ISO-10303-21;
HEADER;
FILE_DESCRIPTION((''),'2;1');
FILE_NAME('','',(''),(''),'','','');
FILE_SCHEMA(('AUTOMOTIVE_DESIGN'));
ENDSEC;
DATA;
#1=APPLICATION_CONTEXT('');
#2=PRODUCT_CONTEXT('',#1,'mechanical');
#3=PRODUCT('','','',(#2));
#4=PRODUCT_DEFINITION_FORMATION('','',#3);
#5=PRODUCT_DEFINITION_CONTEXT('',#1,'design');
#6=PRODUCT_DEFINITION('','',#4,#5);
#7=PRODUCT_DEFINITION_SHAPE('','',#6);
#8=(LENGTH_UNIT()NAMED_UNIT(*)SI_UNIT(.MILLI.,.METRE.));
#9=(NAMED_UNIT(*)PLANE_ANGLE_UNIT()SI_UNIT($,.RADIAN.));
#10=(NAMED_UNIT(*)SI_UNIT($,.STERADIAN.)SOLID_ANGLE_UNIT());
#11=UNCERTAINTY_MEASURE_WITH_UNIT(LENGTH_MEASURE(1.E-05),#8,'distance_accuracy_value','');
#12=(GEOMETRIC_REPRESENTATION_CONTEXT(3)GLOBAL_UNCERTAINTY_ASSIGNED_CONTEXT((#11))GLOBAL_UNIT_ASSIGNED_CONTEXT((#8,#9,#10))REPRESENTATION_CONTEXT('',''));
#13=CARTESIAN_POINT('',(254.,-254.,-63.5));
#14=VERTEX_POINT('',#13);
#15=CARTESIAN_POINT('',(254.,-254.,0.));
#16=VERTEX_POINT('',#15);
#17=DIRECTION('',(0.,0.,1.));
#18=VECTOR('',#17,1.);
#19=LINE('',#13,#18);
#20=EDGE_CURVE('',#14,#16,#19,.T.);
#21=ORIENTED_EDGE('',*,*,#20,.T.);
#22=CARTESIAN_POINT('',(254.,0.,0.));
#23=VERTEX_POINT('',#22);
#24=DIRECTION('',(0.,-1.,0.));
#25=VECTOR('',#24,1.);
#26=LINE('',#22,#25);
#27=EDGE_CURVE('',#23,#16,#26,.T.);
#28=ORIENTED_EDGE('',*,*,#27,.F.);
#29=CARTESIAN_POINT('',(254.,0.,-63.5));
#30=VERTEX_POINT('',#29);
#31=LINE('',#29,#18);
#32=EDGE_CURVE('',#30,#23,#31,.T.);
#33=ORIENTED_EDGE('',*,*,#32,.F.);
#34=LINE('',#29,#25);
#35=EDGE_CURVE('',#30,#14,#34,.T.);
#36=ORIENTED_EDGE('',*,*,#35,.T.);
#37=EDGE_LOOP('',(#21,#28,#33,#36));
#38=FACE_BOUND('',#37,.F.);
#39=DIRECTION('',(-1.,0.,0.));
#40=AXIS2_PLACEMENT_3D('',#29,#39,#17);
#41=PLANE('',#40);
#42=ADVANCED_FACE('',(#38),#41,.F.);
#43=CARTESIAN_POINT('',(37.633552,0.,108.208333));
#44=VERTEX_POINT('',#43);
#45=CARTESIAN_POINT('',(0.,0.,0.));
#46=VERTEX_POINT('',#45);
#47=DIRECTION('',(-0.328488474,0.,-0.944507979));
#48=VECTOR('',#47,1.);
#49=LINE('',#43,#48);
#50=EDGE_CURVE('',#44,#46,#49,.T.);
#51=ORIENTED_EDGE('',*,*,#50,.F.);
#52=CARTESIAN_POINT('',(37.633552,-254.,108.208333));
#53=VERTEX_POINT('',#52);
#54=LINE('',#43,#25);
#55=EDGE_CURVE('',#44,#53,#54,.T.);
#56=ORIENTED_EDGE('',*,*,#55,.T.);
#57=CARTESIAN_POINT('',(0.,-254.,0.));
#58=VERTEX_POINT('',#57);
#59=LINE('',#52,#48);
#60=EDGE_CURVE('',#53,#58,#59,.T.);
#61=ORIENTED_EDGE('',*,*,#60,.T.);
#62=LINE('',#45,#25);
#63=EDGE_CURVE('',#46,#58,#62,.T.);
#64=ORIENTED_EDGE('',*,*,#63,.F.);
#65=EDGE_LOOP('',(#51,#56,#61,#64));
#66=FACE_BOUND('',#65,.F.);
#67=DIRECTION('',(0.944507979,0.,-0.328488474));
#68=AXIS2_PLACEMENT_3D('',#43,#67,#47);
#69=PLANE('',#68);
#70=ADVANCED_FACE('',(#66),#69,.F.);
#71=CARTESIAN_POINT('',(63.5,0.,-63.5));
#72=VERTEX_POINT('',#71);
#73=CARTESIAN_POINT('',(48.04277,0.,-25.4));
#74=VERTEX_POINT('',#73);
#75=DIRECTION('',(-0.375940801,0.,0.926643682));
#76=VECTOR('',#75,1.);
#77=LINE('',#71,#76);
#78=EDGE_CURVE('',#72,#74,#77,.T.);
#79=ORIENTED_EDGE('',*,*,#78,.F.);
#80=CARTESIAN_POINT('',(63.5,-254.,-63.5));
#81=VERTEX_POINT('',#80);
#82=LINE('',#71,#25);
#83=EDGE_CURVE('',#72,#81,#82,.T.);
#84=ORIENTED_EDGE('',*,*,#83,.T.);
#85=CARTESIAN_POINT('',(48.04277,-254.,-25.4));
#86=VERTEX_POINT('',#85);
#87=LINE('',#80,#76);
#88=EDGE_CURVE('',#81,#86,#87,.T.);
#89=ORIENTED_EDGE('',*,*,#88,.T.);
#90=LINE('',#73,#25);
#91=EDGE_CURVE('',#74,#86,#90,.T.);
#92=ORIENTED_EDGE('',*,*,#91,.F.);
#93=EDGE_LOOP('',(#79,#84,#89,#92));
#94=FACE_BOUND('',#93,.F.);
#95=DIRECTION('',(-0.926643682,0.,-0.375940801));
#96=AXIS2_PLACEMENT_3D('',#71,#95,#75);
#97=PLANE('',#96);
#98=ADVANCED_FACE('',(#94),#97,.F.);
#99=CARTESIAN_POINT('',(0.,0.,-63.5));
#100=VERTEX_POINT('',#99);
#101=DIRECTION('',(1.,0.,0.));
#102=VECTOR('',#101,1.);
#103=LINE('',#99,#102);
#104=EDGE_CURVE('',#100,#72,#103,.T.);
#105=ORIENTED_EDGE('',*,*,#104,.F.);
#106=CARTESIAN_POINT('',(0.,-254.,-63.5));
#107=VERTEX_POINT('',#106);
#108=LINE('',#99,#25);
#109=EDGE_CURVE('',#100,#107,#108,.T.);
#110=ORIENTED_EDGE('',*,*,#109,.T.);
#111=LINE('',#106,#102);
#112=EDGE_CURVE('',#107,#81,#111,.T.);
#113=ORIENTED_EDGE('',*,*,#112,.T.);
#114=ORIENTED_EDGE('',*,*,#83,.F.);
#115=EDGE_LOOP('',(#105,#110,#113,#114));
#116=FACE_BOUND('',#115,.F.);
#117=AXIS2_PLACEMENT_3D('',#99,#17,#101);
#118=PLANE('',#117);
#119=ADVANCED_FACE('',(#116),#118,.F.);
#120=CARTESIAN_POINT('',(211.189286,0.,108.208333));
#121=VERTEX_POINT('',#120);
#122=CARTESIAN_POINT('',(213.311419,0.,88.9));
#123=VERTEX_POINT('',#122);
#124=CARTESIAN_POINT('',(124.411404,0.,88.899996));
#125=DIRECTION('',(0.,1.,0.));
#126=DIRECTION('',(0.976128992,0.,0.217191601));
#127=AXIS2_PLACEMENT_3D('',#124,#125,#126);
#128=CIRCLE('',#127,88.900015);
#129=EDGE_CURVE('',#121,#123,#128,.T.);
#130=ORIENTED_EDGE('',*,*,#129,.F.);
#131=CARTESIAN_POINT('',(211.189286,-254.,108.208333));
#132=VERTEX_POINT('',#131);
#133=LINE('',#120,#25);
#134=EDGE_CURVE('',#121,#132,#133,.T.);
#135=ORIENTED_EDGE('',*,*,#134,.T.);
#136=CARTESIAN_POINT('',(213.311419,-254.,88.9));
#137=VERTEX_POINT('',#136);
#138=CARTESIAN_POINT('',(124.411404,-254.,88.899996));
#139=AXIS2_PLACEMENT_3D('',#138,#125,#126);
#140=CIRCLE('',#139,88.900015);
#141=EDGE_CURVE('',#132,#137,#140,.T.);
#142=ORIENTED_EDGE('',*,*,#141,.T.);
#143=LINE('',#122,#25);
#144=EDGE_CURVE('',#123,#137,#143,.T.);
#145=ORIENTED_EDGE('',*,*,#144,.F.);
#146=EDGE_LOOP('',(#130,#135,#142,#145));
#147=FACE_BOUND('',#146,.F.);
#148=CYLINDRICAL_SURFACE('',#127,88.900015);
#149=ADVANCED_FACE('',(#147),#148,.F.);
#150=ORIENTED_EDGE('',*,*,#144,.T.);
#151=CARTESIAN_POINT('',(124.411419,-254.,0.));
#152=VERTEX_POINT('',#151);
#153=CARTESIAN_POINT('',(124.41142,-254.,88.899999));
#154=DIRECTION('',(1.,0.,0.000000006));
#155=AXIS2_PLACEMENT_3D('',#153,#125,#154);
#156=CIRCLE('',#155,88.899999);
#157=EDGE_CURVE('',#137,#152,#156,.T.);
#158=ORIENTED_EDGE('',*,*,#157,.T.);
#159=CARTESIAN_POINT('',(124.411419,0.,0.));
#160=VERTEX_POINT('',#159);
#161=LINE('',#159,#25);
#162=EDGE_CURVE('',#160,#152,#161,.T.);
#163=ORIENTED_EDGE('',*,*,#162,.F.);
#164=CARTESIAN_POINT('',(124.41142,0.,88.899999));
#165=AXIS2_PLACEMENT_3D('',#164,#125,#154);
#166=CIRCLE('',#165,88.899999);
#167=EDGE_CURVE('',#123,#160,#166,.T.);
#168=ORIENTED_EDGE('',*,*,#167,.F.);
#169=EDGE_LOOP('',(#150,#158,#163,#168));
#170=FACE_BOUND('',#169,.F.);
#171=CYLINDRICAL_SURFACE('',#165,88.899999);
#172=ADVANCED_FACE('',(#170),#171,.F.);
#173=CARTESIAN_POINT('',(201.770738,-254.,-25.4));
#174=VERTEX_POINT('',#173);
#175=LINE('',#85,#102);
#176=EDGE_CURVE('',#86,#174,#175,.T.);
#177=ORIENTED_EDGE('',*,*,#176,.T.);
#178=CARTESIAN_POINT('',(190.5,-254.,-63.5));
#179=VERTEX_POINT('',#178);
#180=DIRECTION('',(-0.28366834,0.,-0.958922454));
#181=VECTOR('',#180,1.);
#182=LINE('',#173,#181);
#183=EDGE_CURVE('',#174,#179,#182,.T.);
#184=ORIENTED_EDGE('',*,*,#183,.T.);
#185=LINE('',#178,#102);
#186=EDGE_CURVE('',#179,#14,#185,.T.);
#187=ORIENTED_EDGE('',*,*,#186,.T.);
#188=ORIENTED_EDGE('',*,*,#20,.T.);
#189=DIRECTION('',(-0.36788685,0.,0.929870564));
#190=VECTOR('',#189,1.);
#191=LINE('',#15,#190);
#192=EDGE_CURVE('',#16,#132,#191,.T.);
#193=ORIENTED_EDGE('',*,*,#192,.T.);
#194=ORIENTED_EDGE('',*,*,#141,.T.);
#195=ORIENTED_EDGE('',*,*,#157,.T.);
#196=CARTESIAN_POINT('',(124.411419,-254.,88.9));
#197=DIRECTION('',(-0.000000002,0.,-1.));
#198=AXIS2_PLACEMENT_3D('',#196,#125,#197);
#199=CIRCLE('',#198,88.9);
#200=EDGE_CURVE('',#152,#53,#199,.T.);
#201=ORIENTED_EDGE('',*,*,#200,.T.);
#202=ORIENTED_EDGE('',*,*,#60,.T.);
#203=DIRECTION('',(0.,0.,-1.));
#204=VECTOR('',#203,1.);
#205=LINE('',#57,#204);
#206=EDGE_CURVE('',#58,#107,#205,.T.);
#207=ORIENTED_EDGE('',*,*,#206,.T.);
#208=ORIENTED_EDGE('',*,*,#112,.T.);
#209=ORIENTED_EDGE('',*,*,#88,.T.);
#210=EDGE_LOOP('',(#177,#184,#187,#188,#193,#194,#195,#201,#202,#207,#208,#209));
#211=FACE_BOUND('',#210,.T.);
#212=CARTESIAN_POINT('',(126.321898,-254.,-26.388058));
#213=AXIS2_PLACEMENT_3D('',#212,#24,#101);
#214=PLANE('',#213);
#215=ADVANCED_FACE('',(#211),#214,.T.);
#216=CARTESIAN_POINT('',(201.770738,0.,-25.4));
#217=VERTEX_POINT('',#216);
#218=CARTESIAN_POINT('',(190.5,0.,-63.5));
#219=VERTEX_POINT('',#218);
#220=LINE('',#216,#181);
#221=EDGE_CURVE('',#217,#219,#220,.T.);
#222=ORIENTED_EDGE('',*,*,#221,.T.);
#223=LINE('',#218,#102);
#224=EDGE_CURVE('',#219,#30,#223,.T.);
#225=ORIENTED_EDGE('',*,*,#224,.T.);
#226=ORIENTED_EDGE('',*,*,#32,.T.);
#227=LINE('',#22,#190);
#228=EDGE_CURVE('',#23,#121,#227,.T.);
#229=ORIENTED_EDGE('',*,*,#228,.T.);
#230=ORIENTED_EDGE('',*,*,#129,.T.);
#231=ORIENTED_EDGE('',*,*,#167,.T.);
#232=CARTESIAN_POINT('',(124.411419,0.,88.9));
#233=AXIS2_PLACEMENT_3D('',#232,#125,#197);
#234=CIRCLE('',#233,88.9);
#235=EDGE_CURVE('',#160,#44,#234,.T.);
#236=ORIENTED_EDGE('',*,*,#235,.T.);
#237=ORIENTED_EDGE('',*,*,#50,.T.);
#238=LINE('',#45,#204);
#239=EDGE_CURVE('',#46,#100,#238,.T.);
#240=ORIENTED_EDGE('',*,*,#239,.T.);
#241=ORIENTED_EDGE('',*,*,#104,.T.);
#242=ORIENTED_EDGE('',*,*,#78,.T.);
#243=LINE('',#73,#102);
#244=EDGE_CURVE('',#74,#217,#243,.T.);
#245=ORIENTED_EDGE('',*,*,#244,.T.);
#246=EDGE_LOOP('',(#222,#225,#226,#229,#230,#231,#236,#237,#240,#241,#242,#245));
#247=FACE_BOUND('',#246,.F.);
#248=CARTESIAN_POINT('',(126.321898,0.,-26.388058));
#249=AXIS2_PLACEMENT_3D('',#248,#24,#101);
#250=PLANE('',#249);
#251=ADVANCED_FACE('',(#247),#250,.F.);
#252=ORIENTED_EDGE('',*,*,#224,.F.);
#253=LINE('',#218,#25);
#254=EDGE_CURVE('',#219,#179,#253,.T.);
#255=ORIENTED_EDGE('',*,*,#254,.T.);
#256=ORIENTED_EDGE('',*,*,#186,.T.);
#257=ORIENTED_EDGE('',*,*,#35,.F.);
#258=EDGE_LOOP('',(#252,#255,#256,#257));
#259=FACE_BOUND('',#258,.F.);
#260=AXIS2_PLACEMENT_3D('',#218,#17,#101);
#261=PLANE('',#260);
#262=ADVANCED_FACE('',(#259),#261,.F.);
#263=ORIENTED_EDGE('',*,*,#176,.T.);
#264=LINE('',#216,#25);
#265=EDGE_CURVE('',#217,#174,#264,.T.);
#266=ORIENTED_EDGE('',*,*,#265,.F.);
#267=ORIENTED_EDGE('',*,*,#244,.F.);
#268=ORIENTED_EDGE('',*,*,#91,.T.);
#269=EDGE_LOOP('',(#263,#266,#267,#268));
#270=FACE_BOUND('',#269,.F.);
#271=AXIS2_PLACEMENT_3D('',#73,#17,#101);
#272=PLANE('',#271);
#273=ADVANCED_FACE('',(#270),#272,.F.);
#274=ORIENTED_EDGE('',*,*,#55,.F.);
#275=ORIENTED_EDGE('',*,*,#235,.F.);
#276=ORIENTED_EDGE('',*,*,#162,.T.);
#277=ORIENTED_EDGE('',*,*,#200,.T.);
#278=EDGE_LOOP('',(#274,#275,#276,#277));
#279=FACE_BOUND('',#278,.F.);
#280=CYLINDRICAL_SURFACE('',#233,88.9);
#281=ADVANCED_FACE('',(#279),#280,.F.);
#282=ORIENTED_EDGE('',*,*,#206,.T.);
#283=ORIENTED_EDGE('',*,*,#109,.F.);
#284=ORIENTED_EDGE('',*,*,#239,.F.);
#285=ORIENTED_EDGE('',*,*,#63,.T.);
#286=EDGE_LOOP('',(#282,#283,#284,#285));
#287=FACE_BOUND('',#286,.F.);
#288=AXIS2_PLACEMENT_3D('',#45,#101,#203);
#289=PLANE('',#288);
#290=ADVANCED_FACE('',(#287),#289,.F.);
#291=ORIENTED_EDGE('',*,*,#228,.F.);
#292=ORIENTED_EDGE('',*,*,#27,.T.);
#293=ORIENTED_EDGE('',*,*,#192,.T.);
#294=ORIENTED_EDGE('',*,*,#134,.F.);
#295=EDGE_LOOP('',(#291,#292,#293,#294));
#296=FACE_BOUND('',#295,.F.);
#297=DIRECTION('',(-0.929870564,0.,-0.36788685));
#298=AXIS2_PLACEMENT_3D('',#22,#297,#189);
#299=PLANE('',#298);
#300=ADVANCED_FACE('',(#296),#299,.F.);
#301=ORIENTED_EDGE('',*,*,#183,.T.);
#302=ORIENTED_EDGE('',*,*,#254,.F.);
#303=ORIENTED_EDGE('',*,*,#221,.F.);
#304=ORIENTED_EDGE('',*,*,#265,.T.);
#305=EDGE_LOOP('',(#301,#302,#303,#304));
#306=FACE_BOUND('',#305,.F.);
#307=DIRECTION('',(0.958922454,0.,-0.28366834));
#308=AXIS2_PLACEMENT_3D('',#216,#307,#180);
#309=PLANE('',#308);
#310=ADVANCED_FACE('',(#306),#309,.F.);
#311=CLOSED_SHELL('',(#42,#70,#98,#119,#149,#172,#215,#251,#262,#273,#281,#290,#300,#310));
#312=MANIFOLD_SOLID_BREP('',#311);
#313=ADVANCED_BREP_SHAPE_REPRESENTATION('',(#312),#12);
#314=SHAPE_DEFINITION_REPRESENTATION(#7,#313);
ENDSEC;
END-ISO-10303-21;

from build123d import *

# Parameters (mm, degrees)
F1_DEPTH = 254


with BuildPart() as f1:
    # F0 (on Front) → F1 (new body)
    with BuildSketch(Plane.XZ):
        Polygon((124.411419, 0), (0, 0), (0, -63.5), (63.5, -63.5), (48.04277, -25.4), (201.770738, -25.4), (190.5, -63.5), (254, -63.5), (254, 0), align=None)
        with BuildLine():
            Line((37.633552, 108.208333), (0, 0))
            Line((0, 0), (124.411419, 0))
            ThreePointArc((124.411419, 0), (55.058262, 33.282111), (37.633552, 108.208333))
        make_face()
        with BuildLine():
            ThreePointArc((213.311419, 88.9), (187.273212, 26.038207), (124.411419, 0))
            Line((124.411419, 0), (254, 0))
            Line((254, 0), (211.189286, 108.208333))
            ThreePointArc((211.189286, 108.208333), (212.779293, 98.612301), (213.311419, 88.9))
        make_face()
    extrude(amount=F1_DEPTH)


solid = f1.part
